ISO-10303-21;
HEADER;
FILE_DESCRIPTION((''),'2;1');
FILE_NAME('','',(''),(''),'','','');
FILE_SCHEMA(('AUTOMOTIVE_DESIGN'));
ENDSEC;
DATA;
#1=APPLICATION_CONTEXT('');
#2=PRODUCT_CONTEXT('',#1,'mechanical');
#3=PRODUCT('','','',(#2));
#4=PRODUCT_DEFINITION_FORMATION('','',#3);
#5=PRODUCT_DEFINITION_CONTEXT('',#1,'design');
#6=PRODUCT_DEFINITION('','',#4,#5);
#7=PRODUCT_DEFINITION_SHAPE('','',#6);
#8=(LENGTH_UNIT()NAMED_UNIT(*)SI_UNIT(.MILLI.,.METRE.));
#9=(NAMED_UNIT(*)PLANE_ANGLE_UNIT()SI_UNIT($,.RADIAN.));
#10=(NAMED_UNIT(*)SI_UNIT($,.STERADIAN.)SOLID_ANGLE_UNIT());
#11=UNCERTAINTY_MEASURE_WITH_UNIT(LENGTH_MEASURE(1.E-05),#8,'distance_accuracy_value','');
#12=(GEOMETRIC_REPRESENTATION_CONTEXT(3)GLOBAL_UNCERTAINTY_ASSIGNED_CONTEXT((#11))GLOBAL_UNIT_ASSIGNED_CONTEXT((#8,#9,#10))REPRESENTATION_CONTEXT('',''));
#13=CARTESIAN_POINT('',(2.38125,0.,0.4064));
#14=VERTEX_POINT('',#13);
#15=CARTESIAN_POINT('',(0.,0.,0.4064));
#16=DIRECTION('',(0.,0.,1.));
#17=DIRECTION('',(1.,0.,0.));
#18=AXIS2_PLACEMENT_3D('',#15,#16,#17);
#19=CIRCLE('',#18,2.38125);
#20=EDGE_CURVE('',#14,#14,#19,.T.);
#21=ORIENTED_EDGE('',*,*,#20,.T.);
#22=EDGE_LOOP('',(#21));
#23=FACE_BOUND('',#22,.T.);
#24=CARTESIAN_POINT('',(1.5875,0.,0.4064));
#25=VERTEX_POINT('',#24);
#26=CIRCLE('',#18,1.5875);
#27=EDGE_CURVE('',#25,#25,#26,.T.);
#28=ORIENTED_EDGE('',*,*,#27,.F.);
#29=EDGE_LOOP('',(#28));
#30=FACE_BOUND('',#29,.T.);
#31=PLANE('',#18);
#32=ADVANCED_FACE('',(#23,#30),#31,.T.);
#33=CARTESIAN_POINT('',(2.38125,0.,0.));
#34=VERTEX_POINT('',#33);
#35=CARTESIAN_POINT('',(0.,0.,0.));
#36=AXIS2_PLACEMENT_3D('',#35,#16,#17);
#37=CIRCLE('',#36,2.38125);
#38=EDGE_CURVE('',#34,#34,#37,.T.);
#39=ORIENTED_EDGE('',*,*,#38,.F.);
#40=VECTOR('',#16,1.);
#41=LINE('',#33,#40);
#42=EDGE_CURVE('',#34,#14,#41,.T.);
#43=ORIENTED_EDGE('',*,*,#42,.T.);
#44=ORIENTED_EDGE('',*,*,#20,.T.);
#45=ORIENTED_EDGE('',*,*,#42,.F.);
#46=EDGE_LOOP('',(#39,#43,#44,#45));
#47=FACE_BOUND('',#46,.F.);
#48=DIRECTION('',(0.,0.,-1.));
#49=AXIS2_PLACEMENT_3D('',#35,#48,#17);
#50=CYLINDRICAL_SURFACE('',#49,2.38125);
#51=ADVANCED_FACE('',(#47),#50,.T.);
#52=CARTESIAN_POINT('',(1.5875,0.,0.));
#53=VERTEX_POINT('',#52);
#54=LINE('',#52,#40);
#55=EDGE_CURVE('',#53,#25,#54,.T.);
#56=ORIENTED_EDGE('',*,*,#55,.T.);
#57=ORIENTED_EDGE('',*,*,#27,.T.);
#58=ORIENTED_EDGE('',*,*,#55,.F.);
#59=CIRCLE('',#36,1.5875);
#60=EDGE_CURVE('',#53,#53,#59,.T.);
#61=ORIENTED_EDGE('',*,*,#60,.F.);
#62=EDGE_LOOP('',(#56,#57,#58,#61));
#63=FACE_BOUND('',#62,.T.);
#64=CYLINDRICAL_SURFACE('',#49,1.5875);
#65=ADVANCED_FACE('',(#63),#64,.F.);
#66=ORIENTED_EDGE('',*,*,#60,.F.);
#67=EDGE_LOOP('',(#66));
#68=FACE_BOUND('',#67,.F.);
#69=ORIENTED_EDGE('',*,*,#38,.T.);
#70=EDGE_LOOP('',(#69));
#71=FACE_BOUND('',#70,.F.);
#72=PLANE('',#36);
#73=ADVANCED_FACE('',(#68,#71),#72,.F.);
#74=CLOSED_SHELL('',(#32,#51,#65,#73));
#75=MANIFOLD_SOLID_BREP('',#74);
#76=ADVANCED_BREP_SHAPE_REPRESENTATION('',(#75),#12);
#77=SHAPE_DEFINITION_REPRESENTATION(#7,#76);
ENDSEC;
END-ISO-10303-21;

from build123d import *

# Parameters (mm, degrees)
SKETCH1_R           = 2.38125
SKETCH1_R_2         = 1.5875
BOSS_EXTRUDE1_DEPTH = 0.4064


with BuildPart() as part:
    # Sketch1 → Boss-Extrude1 (new body)
    with BuildSketch(Plane.XY):
        Circle(SKETCH1_R)
        Circle(SKETCH1_R_2, mode=Mode.SUBTRACT)
    extrude(amount=BOSS_EXTRUDE1_DEPTH)


solid = part.part
